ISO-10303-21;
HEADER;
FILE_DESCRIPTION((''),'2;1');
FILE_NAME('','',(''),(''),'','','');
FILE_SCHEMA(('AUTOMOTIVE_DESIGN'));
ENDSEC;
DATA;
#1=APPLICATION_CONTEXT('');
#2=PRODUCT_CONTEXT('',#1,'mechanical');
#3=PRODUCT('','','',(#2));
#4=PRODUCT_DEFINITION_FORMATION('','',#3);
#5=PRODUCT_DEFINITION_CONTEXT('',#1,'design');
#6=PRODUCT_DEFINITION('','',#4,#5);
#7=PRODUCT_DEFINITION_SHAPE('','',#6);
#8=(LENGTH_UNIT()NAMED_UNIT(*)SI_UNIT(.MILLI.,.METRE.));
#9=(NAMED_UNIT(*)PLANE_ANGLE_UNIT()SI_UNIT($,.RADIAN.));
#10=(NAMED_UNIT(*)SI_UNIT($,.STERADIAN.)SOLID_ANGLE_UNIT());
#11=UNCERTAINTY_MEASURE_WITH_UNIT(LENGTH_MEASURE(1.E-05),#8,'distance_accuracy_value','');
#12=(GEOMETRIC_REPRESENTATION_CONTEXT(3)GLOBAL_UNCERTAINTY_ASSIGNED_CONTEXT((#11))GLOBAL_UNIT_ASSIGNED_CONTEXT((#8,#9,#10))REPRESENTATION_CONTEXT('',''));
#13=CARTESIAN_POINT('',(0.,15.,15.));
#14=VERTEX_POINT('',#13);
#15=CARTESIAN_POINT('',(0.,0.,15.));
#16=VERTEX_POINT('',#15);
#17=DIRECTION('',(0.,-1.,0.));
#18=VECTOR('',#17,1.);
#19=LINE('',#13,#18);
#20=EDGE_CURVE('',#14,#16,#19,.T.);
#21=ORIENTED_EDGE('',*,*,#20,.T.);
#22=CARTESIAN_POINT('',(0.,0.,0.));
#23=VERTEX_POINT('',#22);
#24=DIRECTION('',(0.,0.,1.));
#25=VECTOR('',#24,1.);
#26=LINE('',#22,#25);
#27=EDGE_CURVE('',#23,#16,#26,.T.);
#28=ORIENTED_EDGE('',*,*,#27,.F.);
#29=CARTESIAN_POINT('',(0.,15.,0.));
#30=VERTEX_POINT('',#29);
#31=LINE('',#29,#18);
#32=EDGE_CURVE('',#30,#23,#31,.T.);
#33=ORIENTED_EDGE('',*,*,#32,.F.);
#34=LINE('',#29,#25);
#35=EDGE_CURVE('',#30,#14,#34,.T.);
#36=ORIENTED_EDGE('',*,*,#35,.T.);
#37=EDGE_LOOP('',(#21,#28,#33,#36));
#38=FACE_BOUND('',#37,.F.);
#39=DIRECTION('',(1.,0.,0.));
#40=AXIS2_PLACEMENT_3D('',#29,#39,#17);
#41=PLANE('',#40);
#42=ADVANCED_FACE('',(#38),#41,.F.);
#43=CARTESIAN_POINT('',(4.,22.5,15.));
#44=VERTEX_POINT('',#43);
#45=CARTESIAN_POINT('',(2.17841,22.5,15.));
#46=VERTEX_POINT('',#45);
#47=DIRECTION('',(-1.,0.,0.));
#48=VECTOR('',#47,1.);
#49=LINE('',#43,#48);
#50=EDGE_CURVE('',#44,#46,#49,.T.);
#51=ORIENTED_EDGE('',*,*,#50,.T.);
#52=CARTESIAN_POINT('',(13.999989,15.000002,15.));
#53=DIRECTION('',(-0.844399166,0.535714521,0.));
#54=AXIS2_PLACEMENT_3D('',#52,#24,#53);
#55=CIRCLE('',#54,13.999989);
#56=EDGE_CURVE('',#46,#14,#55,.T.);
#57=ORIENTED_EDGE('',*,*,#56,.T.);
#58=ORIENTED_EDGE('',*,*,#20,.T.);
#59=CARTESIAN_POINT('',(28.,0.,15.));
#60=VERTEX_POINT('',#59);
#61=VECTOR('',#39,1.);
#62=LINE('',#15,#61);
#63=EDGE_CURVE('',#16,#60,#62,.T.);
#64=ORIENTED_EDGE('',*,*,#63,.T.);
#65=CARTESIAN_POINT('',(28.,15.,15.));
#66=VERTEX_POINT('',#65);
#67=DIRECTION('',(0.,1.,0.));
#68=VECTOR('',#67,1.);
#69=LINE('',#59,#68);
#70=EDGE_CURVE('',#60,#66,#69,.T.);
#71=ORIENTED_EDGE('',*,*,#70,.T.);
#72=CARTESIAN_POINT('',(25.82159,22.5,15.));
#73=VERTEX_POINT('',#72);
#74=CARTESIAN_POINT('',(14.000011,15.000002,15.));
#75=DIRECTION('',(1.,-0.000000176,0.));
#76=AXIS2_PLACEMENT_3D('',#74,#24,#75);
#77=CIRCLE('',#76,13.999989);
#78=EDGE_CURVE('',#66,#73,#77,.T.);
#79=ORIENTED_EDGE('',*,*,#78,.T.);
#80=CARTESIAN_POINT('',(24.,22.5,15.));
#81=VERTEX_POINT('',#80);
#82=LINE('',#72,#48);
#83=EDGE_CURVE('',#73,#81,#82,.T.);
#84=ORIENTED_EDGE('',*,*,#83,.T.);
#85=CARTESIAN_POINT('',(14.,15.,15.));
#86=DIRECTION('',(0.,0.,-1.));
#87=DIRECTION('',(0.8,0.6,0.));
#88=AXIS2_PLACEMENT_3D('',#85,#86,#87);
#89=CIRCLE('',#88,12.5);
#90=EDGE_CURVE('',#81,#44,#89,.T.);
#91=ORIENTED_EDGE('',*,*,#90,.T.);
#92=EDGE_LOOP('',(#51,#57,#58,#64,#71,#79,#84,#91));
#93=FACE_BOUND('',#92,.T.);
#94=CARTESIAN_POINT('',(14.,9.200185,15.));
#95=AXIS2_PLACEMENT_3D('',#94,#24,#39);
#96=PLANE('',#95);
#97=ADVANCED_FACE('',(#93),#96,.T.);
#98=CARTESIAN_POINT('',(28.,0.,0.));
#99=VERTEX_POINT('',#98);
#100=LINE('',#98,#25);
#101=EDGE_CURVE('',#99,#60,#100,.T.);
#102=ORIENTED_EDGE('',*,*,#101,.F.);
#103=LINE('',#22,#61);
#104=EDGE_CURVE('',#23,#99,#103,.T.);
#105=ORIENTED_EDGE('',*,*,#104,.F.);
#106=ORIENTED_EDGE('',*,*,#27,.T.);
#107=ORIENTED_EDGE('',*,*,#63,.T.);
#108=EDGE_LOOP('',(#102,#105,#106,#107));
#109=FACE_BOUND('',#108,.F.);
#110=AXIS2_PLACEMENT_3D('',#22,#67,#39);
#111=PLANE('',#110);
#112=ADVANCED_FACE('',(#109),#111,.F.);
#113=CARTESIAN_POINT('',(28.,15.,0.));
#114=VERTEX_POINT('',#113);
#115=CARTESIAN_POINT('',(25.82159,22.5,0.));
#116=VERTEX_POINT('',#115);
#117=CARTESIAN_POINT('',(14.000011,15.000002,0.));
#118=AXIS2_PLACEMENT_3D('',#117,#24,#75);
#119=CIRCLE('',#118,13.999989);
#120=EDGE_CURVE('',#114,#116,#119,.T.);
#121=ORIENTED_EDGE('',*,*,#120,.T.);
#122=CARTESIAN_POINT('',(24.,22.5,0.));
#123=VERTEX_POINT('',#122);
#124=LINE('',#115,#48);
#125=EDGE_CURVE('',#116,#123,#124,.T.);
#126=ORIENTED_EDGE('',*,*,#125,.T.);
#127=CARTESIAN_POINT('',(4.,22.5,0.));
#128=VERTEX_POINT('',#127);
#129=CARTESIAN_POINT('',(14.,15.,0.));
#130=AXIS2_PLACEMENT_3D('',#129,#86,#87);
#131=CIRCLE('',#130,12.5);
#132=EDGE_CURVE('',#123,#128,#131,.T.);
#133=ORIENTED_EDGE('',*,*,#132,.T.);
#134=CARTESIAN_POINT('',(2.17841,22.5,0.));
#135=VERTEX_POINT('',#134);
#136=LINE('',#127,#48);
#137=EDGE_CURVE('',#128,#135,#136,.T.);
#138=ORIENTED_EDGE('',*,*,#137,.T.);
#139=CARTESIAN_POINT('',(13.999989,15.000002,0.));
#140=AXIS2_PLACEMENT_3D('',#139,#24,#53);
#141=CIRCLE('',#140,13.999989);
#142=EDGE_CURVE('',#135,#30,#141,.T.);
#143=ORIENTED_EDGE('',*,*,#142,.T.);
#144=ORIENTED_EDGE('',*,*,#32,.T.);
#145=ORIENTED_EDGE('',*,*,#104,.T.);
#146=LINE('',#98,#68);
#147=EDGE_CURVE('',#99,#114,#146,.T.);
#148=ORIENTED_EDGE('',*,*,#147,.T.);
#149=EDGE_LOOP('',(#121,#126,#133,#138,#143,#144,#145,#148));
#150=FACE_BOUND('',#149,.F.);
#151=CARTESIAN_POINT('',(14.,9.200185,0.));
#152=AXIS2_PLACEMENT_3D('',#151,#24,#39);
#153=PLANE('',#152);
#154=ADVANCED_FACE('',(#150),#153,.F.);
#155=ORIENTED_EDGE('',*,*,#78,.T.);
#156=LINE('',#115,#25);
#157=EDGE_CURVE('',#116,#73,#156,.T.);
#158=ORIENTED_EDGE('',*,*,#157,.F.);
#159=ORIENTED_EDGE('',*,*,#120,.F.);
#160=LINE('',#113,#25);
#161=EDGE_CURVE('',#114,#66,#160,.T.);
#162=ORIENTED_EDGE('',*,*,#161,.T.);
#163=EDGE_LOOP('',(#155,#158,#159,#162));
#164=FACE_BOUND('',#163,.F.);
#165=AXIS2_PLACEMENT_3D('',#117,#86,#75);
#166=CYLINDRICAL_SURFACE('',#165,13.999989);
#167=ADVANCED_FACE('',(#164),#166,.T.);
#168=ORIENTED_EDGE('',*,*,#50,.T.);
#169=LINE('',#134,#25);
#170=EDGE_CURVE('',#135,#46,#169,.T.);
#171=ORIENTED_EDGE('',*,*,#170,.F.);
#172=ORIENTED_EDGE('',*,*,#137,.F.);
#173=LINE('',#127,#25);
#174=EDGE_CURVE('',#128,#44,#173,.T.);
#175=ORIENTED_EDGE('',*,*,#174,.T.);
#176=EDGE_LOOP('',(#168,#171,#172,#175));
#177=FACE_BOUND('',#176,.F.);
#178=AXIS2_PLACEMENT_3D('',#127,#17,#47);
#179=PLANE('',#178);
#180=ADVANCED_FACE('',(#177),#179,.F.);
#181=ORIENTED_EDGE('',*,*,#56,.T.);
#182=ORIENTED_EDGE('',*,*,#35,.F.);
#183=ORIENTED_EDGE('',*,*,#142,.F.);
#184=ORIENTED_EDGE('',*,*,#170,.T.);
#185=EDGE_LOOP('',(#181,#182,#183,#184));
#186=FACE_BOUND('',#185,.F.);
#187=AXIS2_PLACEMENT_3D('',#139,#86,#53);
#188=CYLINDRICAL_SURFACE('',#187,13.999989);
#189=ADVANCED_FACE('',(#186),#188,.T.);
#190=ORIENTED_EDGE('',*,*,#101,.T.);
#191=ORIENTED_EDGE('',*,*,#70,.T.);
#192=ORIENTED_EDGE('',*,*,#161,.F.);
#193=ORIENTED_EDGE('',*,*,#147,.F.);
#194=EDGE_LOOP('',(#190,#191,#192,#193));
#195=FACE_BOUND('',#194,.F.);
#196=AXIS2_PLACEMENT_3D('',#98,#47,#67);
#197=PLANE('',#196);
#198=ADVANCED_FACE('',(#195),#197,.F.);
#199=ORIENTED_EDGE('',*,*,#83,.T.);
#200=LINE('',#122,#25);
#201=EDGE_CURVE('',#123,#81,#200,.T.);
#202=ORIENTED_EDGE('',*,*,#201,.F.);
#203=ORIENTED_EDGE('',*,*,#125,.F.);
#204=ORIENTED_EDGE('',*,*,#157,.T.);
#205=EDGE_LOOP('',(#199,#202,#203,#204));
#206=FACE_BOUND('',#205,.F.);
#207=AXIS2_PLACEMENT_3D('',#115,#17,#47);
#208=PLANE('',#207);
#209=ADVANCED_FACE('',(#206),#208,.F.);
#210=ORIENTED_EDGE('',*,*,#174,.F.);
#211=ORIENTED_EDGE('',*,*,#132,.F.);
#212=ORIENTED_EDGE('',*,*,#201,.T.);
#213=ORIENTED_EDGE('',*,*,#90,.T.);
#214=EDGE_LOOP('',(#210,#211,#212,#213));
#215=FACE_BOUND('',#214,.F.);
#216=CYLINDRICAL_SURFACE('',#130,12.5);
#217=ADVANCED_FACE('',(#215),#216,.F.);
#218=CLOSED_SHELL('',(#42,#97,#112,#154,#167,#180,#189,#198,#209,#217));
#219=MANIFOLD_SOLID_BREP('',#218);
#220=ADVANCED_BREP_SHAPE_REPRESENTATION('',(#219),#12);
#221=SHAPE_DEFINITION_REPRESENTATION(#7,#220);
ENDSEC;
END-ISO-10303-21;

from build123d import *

# Parameters (mm, degrees)
F1_DEPTH = 15


with BuildPart() as f1:
    # F0 (on Top) → F1 (new body)
    with BuildSketch(Plane.XY):
        with BuildLine():
            ThreePointArc((24, 22.5), (14, 2.5), (4, 22.5))
            Line((4, 22.5), (2.17841, 22.5))
            ThreePointArc((2.17841, 22.5), (0.555628, 18.90498), (0, 15))
            Line((0, 15), (0, 0))
            Line((0, 0), (28, 0))
            Line((28, 0), (28, 15))
            ThreePointArc((28, 15), (27.444372, 18.90498), (25.82159, 22.5))
            Line((25.82159, 22.5), (24, 22.5))
        make_face()
    extrude(amount=F1_DEPTH)


solid = f1.part
